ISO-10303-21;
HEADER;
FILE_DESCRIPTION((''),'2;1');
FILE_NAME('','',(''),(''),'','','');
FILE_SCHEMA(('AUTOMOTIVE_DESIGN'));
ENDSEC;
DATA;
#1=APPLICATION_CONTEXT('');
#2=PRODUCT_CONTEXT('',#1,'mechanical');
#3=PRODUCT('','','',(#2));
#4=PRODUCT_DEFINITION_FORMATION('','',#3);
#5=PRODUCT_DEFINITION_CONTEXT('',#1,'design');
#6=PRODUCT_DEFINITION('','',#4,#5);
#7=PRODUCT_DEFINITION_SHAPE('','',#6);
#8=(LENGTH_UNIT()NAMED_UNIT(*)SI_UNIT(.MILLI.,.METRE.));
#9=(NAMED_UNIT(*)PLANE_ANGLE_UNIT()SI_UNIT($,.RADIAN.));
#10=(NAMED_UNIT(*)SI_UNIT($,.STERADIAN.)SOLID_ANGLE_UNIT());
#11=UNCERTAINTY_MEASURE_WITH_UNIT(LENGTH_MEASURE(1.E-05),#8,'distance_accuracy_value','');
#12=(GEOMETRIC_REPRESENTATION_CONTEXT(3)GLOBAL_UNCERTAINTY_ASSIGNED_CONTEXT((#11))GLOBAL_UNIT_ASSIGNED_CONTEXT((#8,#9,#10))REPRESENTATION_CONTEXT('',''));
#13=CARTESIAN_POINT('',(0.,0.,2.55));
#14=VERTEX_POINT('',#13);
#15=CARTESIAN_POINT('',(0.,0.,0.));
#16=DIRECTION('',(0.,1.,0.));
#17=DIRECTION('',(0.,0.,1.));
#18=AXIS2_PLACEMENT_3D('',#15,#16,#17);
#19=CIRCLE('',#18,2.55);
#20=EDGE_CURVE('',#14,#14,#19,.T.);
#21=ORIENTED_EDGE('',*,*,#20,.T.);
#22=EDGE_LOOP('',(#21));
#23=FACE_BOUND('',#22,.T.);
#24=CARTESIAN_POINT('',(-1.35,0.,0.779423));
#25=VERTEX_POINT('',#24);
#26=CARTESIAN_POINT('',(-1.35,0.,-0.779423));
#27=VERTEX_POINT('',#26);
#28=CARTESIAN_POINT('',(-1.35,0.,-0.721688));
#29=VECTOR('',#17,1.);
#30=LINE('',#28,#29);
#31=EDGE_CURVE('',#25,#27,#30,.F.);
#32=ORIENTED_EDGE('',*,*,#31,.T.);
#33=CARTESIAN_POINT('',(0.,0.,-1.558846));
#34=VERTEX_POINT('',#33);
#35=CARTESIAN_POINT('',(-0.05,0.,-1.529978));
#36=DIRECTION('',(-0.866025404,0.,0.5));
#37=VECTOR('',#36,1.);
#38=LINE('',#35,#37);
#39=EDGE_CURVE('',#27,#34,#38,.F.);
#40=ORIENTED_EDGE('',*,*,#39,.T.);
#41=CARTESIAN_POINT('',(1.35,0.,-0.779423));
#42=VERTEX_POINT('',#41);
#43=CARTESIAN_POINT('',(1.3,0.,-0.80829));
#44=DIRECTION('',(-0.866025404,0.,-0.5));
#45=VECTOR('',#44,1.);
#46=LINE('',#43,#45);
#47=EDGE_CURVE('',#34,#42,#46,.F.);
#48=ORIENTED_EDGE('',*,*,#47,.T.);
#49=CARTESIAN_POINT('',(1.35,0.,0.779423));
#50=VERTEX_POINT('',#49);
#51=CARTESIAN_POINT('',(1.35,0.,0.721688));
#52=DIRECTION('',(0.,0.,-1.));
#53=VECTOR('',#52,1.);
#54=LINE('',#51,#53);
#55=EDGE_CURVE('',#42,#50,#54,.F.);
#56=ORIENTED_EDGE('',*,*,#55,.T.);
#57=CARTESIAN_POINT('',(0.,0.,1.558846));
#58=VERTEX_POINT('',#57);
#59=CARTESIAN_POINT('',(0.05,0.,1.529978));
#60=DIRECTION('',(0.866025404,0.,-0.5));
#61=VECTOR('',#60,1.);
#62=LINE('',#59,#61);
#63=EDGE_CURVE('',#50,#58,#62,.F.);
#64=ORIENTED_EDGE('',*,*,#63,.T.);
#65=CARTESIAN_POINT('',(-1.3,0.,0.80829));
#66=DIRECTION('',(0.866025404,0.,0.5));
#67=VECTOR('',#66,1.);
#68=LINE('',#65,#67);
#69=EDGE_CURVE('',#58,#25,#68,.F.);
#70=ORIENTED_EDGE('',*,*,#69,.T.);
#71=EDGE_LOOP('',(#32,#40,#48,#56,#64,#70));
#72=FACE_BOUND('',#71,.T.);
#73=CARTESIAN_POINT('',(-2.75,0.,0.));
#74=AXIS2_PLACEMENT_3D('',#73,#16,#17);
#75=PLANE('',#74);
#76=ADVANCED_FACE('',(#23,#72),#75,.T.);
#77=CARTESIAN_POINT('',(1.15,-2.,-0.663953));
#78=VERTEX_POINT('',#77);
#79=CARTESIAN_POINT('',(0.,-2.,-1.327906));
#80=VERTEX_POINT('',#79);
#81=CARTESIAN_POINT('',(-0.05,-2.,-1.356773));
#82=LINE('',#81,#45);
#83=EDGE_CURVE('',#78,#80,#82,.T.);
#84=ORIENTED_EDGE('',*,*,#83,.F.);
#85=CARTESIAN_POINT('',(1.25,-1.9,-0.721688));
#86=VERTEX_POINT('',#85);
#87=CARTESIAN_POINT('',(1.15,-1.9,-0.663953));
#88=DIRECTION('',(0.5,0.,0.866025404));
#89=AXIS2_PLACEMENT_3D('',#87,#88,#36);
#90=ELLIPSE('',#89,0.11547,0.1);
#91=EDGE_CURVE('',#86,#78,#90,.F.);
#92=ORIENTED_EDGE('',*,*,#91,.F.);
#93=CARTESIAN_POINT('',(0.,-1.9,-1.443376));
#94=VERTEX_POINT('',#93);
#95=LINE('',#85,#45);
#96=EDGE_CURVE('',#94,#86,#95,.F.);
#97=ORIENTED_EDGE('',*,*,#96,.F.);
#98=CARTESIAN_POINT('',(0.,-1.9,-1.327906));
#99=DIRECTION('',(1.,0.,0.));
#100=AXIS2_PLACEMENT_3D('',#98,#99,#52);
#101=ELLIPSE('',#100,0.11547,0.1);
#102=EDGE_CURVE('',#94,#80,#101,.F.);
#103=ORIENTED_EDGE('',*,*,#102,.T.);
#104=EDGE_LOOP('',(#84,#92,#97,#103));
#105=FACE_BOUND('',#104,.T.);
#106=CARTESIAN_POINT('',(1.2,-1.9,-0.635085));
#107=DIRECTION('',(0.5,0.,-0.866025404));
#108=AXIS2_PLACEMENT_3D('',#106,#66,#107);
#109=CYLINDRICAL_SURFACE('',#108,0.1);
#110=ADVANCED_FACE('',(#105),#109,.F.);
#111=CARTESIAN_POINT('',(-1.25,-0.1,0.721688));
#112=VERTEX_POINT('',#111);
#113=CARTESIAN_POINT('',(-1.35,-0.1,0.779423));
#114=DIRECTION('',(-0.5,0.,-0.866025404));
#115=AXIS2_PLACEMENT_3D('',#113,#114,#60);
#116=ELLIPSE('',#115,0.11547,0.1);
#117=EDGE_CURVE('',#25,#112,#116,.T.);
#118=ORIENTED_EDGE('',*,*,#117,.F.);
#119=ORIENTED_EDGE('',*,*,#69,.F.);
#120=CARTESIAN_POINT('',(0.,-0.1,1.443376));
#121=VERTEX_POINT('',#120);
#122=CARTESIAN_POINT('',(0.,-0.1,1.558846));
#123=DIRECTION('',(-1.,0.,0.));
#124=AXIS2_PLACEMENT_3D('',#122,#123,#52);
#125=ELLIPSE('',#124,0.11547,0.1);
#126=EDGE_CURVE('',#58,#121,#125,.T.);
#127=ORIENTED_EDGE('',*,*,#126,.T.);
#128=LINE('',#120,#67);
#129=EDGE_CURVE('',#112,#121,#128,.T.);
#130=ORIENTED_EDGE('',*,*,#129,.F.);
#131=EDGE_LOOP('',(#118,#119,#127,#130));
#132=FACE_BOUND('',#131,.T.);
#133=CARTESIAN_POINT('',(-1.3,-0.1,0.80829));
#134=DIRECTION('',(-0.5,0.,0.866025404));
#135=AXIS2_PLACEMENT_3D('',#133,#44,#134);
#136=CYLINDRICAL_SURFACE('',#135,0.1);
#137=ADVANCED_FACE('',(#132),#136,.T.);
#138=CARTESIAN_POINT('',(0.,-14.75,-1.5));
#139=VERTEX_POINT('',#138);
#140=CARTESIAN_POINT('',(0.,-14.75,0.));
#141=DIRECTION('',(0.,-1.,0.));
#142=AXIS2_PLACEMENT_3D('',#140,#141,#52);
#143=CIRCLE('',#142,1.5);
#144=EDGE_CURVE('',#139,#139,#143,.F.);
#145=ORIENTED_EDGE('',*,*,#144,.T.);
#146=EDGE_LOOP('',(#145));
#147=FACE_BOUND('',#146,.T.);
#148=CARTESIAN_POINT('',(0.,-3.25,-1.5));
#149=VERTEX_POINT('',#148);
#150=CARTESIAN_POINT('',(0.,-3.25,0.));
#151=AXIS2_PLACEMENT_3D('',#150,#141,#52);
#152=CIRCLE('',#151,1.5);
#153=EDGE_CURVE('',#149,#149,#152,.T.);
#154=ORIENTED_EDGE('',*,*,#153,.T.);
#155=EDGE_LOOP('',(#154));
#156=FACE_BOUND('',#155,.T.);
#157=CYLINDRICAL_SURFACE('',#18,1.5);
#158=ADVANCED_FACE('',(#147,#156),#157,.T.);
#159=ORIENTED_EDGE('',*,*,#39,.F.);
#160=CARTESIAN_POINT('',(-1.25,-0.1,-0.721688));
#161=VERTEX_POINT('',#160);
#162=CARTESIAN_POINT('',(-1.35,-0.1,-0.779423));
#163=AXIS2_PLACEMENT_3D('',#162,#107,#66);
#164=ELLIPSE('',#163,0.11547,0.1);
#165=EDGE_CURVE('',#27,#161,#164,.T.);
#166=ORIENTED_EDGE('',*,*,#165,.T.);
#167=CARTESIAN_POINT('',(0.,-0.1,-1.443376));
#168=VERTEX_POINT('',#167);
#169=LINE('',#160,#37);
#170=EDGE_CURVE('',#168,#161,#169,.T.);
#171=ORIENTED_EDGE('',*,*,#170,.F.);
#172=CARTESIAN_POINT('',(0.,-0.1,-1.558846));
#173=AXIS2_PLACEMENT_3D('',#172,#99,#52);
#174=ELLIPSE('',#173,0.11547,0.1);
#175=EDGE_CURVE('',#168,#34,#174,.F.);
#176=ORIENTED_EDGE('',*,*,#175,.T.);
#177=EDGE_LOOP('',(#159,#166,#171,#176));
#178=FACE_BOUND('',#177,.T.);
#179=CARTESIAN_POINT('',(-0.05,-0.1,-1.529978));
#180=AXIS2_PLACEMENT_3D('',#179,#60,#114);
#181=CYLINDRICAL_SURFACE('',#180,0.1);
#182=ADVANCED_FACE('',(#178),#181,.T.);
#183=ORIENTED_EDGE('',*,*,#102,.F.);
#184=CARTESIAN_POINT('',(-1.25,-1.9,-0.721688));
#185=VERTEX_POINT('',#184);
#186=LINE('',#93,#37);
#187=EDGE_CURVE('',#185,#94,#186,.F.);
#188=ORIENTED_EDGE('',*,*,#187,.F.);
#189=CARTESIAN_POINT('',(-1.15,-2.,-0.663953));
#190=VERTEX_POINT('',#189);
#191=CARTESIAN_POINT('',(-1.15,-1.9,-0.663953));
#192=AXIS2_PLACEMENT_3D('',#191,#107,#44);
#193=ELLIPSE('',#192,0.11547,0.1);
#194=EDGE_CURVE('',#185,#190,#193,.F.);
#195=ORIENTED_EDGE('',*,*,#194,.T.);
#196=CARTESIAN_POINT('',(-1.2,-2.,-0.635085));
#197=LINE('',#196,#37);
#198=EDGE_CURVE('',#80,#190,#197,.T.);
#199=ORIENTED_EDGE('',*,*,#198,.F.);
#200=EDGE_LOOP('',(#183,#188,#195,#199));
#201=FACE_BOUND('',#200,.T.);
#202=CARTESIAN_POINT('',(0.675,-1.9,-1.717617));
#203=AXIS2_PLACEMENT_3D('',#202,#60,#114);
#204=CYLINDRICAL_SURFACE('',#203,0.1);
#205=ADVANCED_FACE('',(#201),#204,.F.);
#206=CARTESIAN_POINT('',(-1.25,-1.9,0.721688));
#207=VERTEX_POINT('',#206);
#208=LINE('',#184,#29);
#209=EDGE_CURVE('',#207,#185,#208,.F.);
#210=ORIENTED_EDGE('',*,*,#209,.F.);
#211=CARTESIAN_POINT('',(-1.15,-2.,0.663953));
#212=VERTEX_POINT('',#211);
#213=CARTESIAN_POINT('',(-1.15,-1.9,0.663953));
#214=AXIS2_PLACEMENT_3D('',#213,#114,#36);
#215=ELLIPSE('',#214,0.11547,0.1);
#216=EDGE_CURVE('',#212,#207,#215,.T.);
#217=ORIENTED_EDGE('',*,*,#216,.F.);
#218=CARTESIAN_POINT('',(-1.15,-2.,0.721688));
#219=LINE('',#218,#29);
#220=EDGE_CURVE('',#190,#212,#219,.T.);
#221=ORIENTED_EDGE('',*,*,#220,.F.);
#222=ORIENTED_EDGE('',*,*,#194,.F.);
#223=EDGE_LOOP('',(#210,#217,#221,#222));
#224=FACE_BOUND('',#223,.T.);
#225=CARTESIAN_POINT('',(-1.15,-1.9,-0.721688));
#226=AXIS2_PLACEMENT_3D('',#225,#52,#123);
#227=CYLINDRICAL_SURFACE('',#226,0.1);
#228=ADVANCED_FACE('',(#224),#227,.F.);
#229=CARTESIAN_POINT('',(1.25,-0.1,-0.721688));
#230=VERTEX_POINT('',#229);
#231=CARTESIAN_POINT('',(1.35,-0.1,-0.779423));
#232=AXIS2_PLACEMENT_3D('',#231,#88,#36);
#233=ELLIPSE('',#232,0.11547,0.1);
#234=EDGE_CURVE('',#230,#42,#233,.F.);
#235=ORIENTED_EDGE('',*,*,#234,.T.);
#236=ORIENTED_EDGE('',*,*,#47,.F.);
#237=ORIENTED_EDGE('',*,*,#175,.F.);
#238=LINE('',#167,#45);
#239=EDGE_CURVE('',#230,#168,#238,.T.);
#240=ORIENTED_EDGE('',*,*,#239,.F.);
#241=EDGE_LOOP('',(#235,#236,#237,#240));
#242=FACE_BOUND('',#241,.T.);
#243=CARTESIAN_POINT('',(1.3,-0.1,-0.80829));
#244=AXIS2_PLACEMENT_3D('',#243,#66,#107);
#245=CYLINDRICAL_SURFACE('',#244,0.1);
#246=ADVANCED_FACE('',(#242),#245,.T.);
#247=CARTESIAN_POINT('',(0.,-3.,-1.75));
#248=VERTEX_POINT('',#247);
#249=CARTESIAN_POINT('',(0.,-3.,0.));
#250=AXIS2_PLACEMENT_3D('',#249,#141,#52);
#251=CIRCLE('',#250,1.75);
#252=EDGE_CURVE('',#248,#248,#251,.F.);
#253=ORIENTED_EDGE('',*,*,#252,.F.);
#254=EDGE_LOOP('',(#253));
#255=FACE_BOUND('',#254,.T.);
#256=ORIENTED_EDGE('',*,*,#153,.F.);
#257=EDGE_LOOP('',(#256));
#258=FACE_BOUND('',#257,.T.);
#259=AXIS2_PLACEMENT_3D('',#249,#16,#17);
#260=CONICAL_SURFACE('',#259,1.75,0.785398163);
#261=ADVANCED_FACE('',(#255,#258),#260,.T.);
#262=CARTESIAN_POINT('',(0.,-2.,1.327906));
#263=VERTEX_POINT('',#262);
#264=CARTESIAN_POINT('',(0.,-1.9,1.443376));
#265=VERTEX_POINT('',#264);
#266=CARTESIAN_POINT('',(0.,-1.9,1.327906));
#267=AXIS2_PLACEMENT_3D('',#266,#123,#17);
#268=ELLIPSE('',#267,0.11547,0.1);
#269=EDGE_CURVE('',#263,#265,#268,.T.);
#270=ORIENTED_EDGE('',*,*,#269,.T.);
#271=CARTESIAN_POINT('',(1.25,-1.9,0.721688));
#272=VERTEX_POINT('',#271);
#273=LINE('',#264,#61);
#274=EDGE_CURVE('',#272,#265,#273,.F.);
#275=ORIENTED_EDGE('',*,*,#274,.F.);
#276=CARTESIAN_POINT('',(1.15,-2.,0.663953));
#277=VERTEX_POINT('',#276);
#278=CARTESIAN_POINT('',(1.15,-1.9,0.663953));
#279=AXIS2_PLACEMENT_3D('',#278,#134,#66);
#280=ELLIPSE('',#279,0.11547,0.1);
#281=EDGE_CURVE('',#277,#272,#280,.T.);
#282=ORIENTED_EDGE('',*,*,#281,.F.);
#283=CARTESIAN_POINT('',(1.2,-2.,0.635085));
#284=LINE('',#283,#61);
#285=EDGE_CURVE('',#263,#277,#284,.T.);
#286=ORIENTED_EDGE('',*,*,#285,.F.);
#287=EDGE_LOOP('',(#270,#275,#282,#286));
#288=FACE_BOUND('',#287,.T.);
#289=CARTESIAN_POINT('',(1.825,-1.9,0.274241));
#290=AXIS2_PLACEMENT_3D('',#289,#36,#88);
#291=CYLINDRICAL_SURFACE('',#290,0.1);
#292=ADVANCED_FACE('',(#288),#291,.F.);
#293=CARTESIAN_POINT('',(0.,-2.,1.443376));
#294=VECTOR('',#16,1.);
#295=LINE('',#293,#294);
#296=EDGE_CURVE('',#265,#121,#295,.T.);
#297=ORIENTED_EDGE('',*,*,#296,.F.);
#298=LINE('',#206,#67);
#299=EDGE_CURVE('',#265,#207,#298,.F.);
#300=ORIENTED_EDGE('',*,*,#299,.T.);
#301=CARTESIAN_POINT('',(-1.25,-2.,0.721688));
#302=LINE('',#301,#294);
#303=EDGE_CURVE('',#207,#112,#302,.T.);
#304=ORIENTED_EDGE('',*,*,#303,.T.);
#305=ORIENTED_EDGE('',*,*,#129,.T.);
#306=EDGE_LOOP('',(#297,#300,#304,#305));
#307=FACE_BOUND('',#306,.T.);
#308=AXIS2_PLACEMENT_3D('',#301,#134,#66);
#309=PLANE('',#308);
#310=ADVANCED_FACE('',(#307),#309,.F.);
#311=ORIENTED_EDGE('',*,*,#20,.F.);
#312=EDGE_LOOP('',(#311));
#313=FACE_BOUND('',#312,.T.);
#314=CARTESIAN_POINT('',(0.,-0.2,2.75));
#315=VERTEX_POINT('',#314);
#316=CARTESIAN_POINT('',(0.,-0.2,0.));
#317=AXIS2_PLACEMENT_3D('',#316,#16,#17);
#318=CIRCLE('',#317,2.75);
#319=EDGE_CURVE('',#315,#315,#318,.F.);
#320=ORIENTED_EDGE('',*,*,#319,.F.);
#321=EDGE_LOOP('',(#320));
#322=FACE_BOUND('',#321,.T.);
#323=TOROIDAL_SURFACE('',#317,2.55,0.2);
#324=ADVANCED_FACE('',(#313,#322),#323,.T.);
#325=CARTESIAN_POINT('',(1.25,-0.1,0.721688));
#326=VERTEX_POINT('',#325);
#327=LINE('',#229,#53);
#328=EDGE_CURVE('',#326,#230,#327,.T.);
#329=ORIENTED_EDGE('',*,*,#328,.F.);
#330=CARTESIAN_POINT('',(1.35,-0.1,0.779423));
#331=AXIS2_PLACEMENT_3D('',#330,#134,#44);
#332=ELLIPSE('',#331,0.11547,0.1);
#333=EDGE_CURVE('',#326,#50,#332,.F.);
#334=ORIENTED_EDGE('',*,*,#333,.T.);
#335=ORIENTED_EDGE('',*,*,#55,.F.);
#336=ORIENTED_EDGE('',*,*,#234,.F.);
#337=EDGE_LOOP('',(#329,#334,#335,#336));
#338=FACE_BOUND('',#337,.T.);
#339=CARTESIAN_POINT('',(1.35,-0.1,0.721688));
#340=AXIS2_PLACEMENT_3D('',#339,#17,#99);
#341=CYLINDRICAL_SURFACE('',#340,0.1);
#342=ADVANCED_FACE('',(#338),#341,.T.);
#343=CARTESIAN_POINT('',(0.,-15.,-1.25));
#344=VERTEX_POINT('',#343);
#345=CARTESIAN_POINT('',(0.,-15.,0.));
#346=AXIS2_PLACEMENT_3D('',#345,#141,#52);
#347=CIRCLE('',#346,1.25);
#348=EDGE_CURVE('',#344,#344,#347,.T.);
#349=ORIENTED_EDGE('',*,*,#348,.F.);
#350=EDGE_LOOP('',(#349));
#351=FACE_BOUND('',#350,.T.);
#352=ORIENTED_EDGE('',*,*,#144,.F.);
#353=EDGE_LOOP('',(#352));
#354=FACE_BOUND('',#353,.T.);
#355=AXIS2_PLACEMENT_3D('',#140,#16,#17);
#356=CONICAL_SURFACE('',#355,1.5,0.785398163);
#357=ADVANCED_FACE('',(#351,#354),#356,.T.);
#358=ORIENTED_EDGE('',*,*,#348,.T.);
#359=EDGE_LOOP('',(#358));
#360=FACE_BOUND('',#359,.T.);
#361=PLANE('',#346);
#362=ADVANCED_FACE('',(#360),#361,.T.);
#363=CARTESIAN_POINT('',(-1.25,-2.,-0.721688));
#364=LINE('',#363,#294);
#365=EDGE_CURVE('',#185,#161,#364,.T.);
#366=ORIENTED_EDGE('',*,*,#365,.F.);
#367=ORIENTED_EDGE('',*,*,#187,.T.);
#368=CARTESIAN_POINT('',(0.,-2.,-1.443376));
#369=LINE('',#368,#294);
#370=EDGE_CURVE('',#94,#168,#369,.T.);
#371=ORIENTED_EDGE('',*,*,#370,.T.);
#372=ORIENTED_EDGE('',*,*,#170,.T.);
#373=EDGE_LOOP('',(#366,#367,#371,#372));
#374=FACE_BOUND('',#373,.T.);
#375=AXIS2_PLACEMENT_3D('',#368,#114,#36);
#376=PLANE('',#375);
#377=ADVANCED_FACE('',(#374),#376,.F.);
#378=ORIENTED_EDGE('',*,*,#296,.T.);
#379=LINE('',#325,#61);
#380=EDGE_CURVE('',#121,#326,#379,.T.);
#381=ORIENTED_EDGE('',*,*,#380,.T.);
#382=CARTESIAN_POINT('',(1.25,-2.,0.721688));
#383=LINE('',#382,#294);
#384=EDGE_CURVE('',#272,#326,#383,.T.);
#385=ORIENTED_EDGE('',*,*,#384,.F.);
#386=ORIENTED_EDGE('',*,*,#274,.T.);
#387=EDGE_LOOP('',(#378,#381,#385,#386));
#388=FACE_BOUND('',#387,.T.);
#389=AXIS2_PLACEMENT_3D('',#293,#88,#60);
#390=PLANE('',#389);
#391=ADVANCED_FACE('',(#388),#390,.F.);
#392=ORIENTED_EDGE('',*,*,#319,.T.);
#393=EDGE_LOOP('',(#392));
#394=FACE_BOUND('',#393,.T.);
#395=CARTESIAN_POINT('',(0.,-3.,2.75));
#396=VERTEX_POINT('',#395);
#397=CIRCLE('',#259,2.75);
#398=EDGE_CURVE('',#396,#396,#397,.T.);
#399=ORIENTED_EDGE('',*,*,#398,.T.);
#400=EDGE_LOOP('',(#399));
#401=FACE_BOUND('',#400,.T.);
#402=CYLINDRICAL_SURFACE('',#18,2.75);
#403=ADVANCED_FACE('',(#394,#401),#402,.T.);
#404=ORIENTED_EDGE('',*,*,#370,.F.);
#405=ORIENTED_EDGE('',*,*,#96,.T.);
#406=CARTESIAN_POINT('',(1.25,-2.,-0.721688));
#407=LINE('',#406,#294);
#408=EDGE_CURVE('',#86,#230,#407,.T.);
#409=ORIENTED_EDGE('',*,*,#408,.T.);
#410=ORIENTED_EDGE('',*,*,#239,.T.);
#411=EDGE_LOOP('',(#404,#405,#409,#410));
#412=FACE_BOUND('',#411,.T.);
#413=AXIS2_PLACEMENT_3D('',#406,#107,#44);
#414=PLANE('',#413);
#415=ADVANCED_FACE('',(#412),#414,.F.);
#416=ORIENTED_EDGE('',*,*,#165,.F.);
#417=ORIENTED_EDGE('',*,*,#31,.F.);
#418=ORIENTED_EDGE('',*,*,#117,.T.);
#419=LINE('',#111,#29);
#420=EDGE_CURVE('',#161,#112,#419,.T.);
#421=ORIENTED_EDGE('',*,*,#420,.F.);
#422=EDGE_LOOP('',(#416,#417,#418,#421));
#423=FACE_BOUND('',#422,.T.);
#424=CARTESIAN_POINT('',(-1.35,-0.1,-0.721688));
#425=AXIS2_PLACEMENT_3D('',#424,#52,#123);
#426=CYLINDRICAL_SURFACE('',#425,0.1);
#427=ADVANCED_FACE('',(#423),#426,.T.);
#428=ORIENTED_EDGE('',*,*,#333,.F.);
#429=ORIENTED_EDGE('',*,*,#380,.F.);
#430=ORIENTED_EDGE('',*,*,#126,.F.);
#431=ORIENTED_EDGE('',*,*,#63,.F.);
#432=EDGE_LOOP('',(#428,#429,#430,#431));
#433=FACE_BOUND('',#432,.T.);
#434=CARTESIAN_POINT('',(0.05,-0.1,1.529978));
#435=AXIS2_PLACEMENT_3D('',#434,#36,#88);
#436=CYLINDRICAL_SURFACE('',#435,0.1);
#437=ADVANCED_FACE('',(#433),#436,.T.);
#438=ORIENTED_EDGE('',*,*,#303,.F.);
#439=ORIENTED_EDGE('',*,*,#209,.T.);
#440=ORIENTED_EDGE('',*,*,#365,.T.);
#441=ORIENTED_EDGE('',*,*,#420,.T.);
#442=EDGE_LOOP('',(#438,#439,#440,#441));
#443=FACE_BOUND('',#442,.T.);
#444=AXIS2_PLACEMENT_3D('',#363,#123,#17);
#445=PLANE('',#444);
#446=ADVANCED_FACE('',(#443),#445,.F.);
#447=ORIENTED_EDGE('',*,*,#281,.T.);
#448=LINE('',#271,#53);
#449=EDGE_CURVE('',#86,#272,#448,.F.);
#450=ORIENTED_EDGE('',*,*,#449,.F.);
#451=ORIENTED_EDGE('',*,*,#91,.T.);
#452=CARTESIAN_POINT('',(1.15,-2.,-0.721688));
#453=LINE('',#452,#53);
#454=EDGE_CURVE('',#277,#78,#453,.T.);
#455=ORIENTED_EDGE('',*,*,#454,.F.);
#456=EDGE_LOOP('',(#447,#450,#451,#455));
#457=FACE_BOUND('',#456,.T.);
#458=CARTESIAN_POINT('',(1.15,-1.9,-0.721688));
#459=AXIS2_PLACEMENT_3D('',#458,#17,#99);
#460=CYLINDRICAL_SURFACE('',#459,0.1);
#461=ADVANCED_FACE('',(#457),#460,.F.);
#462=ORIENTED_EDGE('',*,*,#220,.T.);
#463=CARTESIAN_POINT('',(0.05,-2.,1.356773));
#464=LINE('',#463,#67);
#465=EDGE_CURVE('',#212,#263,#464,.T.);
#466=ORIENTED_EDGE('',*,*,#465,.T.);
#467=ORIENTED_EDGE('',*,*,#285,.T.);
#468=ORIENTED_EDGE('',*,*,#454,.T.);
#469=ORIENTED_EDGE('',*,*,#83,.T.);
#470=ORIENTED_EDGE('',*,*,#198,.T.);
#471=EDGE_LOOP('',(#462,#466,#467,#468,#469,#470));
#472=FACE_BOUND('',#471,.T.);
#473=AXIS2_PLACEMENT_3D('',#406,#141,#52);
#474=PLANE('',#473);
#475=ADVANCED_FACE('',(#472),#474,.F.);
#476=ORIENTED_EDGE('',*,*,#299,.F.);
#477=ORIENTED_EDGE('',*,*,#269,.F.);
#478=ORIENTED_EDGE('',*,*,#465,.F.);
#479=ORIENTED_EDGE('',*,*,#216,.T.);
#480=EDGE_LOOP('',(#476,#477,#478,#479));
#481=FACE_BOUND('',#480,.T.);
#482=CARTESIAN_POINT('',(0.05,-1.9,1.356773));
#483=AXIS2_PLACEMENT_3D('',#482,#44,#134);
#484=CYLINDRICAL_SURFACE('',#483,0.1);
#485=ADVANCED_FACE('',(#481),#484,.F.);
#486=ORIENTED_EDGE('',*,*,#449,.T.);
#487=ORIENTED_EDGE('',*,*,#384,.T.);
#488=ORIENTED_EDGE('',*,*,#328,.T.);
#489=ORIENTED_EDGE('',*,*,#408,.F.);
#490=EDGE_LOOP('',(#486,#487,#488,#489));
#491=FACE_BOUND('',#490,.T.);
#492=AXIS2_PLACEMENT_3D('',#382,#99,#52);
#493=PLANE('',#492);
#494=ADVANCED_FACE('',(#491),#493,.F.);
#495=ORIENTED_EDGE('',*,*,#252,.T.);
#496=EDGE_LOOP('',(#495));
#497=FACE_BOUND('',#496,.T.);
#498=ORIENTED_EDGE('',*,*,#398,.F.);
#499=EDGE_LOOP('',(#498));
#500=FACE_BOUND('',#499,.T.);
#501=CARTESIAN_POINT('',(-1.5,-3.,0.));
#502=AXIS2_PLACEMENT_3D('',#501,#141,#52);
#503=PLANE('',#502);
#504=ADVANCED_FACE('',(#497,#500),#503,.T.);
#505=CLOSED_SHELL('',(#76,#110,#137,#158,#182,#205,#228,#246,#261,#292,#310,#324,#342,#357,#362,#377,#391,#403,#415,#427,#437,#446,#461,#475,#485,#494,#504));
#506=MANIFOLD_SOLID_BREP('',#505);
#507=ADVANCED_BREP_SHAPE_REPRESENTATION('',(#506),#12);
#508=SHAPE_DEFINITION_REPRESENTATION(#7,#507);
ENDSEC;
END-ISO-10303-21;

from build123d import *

# Parameters (mm, degrees)
CHAMFER1_SIZE      = 0.25
FILLET1_R          = 0.2
CUT_EXTRUDE1_DEPTH = 2
FILLET2_R          = 0.1


with BuildPart() as part:
    # Sketch1 → Revolve1 (revolve)
    with BuildSketch(Plane.XY):
        Polygon((0, -15), (-1.5, -15), (-1.5, -3), (-2.75, -3), (-2.75, 0), (0, 0), align=None)
    revolve(axis=Axis((0, 0, 0), (0, -1, 0)))

    # Chamfer1
    chamfer1_edges = [part.edges().sort_by_distance(p)[0] for p in [
        (1.5, -3, 0),
        (1.5, -15, 0),
    ]]
    chamfer(chamfer1_edges, length=CHAMFER1_SIZE)

    # Fillet1
    fillet1_edges = [part.edges().sort_by_distance(p)[0] for p in [
        (2.75, 0, 0),
    ]]
    fillet(fillet1_edges, radius=FILLET1_R)

    # Sketch2 → Cut-Extrude1 (cut)
    with BuildSketch(Plane(origin=(0, 0, 0), x_dir=(1, 0, 0), z_dir=(0, 1, 0))):
        Polygon((0, 1.443375673), (-1.25, 0.721687836), (-1.25, -0.721687836), (0, -1.443375673), (1.25, -0.721687836), (1.25, 0.721687836), align=None)
    extrude(amount=-CUT_EXTRUDE1_DEPTH, mode=Mode.SUBTRACT)

    # Fillet2
    fillet2_edges = [part.edges().sort_by_distance(p)[0] for p in [
        (0.625, -2, -1.082531755),
        (1.25, -2, 0),
        (0.625, -2, 1.082531755),
        (-0.625, -2, 1.082531755),
        (-1.25, -2, 0),
        (-0.625, -2, -1.082531755),
        (0.625, 0, -1.082531755),
        (-0.625, 0, -1.082531755),
        (-1.25, 0, 0),
        (-0.625, 0, 1.082531755),
        (0.625, 0, 1.082531755),
        (1.25, 0, 0),
    ]]
    fillet(fillet2_edges, radius=FILLET2_R)


solid = part.part
